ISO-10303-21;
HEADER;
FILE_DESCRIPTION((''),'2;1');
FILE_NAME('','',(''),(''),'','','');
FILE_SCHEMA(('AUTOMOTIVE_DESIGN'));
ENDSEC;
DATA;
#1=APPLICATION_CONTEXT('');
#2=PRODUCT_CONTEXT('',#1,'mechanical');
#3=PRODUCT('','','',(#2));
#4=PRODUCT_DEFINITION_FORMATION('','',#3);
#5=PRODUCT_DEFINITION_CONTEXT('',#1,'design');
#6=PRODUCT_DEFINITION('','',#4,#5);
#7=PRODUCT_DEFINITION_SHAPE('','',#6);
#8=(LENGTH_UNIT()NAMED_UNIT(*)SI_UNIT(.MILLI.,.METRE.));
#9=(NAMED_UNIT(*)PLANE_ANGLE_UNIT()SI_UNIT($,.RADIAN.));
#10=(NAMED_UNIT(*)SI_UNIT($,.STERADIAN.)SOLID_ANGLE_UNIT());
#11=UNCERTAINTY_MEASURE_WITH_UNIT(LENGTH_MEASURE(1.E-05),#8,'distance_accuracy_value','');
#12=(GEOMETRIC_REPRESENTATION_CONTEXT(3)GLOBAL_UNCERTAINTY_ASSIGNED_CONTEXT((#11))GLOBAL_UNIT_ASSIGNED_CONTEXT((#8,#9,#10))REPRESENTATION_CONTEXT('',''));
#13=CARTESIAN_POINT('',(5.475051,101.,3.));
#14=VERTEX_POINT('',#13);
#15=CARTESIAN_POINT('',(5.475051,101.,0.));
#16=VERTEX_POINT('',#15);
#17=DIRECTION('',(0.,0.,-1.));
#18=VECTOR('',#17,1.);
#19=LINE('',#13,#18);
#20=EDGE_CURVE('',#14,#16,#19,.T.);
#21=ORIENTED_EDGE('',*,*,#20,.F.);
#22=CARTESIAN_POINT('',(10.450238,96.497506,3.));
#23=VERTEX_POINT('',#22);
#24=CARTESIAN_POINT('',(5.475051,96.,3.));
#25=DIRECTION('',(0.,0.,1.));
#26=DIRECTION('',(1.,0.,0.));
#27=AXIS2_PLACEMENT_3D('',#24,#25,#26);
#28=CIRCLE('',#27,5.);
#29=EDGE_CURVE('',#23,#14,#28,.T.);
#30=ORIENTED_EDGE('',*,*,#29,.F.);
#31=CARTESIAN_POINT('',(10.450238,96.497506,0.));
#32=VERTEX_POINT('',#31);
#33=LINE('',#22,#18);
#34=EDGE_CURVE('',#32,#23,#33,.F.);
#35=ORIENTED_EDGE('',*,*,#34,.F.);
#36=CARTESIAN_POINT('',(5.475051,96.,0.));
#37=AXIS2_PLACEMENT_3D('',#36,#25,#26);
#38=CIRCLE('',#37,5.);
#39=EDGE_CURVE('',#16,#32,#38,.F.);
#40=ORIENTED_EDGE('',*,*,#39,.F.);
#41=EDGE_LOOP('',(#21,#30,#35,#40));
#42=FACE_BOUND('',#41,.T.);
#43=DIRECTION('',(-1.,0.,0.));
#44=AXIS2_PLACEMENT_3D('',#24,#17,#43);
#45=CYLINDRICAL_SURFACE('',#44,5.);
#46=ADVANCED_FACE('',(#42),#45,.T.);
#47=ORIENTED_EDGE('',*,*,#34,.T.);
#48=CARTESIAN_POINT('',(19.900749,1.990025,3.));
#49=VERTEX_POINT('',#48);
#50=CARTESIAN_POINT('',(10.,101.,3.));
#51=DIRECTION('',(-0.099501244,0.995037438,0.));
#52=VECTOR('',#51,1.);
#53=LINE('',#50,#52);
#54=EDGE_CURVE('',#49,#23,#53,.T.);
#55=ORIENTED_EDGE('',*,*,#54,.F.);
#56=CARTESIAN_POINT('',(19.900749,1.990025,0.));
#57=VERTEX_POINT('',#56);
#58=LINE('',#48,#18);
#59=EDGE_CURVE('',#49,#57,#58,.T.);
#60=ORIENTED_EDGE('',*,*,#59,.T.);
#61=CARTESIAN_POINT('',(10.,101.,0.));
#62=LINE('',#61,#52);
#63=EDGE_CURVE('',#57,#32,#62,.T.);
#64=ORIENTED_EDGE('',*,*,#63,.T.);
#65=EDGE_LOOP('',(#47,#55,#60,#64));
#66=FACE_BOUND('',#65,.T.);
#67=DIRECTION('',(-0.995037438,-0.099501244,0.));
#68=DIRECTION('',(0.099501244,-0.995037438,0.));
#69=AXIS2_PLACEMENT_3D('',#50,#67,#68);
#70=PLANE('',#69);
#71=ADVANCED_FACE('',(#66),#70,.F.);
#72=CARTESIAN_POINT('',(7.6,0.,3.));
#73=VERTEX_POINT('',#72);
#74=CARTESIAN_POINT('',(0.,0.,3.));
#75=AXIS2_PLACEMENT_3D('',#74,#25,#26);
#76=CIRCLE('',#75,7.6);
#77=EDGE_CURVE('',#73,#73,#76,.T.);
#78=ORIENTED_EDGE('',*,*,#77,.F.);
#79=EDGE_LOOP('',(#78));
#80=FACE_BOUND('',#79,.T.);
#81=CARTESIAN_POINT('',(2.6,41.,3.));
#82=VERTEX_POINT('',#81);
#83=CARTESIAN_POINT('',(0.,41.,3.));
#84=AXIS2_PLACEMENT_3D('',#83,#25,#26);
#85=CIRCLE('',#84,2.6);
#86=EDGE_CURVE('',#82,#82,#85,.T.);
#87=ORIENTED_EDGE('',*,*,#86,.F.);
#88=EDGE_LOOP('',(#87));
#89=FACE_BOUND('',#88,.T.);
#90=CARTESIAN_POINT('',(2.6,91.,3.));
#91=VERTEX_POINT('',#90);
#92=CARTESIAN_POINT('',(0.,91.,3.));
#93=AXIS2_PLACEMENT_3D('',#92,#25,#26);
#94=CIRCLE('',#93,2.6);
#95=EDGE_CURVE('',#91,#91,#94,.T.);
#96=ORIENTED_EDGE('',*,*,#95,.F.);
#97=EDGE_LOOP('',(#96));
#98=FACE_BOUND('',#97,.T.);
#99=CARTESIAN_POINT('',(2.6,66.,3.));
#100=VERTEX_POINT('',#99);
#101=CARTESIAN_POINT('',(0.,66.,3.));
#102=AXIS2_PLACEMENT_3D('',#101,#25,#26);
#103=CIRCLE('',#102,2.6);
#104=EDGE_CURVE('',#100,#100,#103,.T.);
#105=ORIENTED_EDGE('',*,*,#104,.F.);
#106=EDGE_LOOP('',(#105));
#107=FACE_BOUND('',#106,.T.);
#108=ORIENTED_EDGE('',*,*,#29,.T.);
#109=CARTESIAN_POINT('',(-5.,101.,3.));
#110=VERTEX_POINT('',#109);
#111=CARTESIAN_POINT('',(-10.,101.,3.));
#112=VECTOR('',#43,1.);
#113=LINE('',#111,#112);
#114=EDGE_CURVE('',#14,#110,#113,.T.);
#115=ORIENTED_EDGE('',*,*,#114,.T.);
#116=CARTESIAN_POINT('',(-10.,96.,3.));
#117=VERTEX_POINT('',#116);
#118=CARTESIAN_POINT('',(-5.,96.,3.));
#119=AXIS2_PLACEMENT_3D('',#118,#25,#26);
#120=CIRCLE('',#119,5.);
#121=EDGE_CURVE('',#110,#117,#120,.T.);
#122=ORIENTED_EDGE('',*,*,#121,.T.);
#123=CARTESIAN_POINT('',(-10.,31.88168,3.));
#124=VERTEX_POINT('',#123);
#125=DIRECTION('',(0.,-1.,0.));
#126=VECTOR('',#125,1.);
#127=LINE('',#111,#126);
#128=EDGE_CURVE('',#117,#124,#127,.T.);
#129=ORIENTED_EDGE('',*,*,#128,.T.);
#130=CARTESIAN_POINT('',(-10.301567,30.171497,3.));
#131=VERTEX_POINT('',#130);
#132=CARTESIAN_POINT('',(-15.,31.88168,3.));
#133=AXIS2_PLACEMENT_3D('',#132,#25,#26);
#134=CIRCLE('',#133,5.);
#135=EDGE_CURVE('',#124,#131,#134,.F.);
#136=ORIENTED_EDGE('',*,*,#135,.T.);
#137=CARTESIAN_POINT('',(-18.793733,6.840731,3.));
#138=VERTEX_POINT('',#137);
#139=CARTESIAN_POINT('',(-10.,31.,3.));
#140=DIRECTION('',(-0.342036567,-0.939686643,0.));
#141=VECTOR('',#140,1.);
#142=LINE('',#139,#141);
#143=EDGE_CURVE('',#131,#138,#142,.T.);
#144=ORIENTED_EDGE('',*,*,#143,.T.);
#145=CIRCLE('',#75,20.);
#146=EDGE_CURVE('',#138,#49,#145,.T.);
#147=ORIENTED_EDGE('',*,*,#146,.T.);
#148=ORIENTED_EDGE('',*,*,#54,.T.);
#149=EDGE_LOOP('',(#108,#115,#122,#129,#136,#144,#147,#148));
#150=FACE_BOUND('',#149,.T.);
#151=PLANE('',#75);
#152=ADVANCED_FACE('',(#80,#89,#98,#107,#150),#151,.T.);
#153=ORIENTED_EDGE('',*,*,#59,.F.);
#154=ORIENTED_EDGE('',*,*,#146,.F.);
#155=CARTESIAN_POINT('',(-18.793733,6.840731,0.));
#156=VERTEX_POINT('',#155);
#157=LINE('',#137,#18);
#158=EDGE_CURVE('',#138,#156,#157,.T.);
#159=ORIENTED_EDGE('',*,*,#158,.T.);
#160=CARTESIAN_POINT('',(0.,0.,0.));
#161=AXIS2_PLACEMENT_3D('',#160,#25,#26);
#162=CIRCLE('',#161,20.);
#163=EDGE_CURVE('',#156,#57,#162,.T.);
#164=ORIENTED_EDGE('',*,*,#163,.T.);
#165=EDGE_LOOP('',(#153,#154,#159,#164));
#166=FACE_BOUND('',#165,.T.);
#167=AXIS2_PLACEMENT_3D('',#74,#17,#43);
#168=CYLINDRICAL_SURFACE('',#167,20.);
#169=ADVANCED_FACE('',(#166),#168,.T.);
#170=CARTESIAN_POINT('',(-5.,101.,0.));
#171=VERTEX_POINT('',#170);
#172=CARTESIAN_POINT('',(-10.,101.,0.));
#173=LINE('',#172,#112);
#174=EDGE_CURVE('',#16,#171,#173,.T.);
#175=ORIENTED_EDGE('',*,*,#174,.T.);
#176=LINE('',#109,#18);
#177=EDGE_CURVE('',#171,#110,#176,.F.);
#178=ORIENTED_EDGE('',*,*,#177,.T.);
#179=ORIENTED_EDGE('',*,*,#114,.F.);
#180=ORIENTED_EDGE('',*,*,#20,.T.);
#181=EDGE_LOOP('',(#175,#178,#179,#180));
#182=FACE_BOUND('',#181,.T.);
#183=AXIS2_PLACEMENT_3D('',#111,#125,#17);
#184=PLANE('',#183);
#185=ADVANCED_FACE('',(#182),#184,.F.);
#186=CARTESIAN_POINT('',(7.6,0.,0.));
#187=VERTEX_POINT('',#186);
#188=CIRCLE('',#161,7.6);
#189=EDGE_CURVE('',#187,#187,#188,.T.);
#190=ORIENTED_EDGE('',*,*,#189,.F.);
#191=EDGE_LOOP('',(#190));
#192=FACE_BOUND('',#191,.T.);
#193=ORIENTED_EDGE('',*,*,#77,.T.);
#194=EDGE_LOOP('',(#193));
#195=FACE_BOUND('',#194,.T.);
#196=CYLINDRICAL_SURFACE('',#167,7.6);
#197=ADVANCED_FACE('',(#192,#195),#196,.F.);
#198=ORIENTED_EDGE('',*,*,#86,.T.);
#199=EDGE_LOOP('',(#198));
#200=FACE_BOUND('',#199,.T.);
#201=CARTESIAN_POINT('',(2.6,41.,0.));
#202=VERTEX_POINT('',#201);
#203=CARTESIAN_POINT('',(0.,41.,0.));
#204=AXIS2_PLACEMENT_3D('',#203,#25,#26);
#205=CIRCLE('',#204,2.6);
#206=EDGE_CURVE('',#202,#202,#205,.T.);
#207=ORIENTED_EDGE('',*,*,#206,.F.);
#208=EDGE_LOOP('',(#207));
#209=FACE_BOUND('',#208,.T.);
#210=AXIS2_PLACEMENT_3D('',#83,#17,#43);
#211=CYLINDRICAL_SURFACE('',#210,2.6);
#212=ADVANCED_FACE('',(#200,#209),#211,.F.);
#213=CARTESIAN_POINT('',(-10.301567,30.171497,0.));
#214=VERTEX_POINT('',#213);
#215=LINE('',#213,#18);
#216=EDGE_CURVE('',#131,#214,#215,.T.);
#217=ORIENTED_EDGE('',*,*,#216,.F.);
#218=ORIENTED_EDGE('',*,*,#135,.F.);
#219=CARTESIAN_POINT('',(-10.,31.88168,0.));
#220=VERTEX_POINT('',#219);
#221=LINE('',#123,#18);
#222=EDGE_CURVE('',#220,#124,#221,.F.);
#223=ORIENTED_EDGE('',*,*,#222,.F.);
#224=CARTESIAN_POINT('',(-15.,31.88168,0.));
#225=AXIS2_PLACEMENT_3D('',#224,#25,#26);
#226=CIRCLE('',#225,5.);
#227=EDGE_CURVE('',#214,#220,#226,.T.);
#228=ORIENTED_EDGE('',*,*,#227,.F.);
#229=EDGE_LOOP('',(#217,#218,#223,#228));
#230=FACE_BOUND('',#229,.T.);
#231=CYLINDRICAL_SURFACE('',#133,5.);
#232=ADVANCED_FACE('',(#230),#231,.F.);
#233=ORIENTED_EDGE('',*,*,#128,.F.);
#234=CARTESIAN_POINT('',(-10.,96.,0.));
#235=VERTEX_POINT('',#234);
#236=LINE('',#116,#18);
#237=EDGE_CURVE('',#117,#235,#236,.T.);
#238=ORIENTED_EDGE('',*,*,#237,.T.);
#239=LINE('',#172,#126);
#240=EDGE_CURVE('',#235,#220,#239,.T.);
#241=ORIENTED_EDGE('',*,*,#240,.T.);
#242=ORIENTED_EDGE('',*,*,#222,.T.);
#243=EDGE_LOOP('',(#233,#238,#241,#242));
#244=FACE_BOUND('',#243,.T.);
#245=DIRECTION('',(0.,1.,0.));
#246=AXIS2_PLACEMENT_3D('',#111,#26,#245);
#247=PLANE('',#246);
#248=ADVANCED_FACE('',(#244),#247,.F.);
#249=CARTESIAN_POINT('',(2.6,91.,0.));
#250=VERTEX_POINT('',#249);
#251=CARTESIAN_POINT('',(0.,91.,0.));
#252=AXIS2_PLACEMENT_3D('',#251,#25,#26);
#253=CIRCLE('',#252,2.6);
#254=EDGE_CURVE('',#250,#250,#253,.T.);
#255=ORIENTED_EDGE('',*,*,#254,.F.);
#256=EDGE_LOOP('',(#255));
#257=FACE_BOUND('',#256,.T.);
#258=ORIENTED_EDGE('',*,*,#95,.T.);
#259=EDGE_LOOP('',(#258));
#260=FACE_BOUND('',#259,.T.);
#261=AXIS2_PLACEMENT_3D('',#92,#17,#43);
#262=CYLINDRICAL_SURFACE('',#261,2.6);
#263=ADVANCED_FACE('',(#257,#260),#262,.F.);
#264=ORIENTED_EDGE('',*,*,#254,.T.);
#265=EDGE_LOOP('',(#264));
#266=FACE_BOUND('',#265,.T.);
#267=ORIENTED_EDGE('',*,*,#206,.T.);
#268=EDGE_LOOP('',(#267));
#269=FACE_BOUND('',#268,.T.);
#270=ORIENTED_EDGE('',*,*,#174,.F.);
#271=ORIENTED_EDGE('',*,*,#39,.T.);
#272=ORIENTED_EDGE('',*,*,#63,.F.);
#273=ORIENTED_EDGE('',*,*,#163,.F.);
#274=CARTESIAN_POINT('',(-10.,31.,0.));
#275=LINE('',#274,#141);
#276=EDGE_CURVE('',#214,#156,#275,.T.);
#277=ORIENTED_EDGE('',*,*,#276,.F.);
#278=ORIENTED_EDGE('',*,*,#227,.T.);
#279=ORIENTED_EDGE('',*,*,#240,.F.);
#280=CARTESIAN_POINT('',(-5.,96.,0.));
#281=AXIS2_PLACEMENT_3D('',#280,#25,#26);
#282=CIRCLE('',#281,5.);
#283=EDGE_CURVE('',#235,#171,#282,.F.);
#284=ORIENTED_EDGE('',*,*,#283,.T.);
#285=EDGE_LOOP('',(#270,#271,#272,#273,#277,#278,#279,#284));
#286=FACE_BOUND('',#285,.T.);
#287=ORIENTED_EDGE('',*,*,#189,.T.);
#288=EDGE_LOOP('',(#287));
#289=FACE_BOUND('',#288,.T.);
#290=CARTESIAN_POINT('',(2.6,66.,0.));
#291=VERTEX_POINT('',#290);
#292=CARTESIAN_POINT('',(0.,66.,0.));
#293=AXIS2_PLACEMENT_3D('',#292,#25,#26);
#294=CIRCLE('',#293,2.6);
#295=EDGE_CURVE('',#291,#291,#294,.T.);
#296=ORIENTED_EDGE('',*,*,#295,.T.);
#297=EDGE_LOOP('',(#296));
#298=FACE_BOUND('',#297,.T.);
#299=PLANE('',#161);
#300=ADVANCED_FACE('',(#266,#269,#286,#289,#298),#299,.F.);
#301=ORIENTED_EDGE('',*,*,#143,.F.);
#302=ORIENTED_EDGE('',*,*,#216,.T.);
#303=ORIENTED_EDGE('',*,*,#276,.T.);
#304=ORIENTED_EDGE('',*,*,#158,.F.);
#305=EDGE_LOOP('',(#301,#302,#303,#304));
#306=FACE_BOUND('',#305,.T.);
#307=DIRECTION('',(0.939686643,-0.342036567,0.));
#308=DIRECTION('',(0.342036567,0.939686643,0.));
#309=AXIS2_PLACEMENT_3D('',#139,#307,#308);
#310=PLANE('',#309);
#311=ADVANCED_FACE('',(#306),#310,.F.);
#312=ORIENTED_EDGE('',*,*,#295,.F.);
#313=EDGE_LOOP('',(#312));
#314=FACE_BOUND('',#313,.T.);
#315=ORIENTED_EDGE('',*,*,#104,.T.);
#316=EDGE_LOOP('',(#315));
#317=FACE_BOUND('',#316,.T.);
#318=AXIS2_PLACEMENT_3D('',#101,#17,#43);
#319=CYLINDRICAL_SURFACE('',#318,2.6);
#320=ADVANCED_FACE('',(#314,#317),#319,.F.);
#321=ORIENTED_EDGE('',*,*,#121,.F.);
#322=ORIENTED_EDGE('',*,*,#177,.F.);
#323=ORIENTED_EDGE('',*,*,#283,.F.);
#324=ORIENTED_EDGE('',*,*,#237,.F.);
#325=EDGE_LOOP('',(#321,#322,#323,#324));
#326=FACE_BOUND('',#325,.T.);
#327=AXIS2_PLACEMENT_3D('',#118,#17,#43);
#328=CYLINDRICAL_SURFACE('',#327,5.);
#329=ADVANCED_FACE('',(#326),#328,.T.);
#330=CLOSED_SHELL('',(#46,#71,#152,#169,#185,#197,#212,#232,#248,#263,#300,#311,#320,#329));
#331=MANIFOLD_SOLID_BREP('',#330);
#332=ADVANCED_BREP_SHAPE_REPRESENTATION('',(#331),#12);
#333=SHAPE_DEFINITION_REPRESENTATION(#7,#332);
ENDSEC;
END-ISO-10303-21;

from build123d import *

# Parameters (mm, degrees)
SKETCH_2_R      = 7.6
SKETCH_2_R_2    = 2.6
EXTRUDE_1_DEPTH = 3
FILLET_7_R      = 5


with BuildPart() as part:
    # ｽｹｯﾁ2 → ﾎﾞｽ - 押し出し1 (new body)
    with BuildSketch(Plane.XY):
        with BuildLine():
            Line((-10, 101), (-10, 31))
            Line((-10, 31), (-18.793732859, 6.840731336))
            ThreePointArc((-18.793732859, 6.840731336), (-2.487711667, -19.844679152), (19.900748755, 1.990024876))
            Line((19.900748755, 1.990024876), (10, 101))
            Line((10, 101), (-10, 101))
        make_face()
        Circle(SKETCH_2_R, mode=Mode.SUBTRACT)
        with Locations((0, 66)):
            Circle(SKETCH_2_R_2, mode=Mode.SUBTRACT)
        with Locations((0, 91)):
            Circle(SKETCH_2_R_2, mode=Mode.SUBTRACT)
        with Locations((0, 41)):
            Circle(SKETCH_2_R_2, mode=Mode.SUBTRACT)
    extrude(amount=EXTRUDE_1_DEPTH)

    # ﾌｨﾚｯﾄ7
    fillet_7_edges = [part.edges().sort_by_distance(p)[0] for p in [
        (10, 101, 1.5),
        (-10, 31, 1.5),
        (-10, 101, 1.5),
    ]]
    fillet(fillet_7_edges, radius=FILLET_7_R)


solid = part.part
